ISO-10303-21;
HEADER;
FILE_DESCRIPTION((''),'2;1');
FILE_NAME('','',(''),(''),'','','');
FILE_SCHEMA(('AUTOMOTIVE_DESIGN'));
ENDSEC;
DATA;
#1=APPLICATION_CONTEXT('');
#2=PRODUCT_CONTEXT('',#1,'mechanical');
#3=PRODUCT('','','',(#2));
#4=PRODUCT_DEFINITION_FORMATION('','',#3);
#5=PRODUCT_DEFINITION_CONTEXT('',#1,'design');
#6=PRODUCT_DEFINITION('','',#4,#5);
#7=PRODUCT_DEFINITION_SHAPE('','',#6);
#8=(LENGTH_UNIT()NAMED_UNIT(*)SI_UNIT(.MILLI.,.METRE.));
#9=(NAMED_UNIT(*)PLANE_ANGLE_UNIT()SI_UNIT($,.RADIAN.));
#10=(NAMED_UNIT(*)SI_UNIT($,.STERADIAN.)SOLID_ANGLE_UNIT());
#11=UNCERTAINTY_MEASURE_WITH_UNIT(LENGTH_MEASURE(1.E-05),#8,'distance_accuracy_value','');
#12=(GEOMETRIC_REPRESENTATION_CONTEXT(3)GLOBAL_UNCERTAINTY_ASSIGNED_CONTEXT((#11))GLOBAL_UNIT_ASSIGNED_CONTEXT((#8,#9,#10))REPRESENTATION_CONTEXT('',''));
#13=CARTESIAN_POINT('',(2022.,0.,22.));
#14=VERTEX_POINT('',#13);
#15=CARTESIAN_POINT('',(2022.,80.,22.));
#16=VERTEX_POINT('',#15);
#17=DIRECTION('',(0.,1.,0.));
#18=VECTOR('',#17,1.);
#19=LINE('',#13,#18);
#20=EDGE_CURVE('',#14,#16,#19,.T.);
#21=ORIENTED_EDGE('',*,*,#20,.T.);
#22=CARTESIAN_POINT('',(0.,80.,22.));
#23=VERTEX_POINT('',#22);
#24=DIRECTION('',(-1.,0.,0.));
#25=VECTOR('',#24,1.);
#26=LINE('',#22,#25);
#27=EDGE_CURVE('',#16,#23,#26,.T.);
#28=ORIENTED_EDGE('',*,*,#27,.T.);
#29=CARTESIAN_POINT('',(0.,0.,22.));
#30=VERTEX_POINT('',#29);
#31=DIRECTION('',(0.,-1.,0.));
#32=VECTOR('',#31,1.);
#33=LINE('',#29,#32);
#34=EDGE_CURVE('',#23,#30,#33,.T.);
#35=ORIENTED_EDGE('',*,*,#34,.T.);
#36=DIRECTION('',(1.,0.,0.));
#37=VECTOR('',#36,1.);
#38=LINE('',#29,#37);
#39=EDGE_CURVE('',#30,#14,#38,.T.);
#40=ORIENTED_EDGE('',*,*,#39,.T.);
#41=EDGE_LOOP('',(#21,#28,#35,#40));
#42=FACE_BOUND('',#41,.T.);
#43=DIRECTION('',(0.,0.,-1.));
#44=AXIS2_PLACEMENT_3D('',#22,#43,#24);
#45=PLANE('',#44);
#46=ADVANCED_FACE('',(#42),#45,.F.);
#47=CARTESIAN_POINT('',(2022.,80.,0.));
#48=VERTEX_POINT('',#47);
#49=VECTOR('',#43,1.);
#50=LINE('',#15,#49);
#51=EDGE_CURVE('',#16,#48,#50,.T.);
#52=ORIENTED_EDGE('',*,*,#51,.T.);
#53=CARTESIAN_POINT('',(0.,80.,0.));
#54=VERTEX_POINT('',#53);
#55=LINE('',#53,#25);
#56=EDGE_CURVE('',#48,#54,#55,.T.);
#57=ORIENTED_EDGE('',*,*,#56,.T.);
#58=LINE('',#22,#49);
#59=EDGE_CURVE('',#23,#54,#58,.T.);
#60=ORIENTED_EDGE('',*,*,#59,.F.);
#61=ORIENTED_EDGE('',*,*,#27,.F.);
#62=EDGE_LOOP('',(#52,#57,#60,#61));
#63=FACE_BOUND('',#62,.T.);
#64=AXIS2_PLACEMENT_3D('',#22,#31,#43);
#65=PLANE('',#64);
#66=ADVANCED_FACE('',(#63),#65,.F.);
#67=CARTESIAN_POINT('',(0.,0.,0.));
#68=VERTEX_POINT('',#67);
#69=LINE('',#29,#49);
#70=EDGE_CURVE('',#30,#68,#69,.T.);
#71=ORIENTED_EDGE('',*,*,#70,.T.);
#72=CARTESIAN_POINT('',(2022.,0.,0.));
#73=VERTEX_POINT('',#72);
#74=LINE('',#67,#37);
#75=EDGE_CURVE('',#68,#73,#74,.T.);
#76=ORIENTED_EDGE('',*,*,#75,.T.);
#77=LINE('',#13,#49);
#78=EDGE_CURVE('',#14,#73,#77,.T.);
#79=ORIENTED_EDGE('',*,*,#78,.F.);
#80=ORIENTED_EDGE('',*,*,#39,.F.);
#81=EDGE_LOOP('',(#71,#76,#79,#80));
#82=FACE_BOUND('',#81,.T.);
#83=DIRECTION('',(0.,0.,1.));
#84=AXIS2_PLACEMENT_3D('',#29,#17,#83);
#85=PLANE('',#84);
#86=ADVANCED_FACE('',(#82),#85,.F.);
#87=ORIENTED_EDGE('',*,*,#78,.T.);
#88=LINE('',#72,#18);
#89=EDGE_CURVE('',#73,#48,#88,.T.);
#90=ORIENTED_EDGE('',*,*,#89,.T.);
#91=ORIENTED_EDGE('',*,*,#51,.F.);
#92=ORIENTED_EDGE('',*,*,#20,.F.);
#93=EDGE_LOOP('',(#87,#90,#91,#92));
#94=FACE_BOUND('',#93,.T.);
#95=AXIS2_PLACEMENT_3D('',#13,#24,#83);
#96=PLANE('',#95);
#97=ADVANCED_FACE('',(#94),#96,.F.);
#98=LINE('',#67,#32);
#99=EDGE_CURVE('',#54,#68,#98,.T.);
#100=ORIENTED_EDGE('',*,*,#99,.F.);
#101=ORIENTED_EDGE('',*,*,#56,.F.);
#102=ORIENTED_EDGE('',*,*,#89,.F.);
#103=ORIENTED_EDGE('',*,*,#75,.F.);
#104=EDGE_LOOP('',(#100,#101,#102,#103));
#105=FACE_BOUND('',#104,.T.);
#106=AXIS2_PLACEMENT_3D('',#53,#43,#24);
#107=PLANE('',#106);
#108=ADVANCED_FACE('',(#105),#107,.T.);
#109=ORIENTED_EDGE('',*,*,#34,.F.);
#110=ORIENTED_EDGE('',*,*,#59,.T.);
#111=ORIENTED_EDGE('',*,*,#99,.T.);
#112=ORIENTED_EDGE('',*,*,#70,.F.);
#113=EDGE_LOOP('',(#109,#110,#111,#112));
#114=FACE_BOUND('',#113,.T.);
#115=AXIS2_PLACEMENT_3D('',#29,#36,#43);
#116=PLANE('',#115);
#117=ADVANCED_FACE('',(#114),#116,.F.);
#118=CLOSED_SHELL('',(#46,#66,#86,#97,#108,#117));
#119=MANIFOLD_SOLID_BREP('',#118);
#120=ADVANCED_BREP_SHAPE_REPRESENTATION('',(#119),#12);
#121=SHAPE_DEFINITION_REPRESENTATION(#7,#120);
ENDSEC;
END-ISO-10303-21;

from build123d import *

# Parameters (mm, degrees)
ESQUISSE1_W      = 2022
ESQUISSE1_H      = 80
EXTRUSION1_DEPTH = 22


with BuildPart() as part:
    # Esquisse1 → Extrusion1 (new body)
    with BuildSketch(Plane.XY):
        with Locations((1011, 40)):
            Rectangle(ESQUISSE1_W, ESQUISSE1_H)
    extrude(amount=EXTRUSION1_DEPTH)


solid = part.part
